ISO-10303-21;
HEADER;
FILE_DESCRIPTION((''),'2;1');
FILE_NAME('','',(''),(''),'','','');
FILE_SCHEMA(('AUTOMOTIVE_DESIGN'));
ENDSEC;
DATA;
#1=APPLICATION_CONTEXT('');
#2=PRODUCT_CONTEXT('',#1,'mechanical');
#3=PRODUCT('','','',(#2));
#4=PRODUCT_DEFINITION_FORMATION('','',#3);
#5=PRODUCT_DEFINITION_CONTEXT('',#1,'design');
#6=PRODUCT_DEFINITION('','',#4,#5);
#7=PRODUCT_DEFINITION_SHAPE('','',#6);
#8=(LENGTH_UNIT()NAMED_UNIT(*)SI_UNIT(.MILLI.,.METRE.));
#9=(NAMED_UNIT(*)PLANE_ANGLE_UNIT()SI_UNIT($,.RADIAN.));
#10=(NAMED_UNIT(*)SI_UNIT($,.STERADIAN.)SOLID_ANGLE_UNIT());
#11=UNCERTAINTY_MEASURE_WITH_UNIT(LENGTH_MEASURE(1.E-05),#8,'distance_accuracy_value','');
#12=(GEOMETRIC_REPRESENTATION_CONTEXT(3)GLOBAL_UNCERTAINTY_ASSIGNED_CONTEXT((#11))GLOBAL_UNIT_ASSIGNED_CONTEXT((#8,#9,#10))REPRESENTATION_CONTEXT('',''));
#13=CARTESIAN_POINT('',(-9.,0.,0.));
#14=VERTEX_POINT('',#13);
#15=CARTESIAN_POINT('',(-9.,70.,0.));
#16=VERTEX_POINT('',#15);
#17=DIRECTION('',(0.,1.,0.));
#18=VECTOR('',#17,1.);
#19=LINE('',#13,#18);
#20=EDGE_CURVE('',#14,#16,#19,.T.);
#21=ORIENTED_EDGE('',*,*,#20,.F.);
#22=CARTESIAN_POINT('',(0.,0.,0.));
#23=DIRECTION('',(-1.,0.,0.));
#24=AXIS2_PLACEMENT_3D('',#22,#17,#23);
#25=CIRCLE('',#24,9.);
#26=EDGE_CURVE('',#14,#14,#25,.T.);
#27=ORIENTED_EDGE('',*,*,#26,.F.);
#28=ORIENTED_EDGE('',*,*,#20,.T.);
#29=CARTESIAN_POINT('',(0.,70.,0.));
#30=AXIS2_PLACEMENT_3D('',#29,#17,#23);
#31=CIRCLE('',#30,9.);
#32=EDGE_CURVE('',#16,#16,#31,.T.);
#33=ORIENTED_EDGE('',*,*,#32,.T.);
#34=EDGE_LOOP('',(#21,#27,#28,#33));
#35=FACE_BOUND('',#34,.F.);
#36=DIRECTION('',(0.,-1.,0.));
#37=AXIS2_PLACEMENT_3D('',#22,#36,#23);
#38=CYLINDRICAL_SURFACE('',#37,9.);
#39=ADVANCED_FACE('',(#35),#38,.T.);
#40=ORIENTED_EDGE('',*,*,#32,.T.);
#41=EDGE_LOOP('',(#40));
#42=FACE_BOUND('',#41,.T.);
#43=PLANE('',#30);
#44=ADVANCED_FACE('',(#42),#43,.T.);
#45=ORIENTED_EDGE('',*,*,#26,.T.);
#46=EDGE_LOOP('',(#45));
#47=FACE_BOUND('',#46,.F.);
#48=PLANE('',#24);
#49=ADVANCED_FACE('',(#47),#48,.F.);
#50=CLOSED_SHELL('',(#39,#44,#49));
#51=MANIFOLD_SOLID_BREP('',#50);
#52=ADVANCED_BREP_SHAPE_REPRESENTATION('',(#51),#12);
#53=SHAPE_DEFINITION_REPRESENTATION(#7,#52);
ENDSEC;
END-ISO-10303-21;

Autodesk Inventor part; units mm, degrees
ref_plane "YZ Plane" through (0, 0, 0) normal (1, 0, 0) x (0, 1, 0)
ref_plane "XZ Plane" through (0, 0, 0) normal (0, 1, 0) x (-1, 0, 0)
ref_plane "XY Plane" through (0, 0, 0) normal (0, 0, 1) x (1, 0, 0)
sketch "Sketch1" plane through (0, 0, 0) normal (0, 1, 0) x (-1, 0, 0)
  circle A0 centre (0, 0) radius 9
  dimension "d0" = 18
extrude "Extrusion1" add sketch "Sketch1" along normal blind 70
properties part number "18mm engine"
